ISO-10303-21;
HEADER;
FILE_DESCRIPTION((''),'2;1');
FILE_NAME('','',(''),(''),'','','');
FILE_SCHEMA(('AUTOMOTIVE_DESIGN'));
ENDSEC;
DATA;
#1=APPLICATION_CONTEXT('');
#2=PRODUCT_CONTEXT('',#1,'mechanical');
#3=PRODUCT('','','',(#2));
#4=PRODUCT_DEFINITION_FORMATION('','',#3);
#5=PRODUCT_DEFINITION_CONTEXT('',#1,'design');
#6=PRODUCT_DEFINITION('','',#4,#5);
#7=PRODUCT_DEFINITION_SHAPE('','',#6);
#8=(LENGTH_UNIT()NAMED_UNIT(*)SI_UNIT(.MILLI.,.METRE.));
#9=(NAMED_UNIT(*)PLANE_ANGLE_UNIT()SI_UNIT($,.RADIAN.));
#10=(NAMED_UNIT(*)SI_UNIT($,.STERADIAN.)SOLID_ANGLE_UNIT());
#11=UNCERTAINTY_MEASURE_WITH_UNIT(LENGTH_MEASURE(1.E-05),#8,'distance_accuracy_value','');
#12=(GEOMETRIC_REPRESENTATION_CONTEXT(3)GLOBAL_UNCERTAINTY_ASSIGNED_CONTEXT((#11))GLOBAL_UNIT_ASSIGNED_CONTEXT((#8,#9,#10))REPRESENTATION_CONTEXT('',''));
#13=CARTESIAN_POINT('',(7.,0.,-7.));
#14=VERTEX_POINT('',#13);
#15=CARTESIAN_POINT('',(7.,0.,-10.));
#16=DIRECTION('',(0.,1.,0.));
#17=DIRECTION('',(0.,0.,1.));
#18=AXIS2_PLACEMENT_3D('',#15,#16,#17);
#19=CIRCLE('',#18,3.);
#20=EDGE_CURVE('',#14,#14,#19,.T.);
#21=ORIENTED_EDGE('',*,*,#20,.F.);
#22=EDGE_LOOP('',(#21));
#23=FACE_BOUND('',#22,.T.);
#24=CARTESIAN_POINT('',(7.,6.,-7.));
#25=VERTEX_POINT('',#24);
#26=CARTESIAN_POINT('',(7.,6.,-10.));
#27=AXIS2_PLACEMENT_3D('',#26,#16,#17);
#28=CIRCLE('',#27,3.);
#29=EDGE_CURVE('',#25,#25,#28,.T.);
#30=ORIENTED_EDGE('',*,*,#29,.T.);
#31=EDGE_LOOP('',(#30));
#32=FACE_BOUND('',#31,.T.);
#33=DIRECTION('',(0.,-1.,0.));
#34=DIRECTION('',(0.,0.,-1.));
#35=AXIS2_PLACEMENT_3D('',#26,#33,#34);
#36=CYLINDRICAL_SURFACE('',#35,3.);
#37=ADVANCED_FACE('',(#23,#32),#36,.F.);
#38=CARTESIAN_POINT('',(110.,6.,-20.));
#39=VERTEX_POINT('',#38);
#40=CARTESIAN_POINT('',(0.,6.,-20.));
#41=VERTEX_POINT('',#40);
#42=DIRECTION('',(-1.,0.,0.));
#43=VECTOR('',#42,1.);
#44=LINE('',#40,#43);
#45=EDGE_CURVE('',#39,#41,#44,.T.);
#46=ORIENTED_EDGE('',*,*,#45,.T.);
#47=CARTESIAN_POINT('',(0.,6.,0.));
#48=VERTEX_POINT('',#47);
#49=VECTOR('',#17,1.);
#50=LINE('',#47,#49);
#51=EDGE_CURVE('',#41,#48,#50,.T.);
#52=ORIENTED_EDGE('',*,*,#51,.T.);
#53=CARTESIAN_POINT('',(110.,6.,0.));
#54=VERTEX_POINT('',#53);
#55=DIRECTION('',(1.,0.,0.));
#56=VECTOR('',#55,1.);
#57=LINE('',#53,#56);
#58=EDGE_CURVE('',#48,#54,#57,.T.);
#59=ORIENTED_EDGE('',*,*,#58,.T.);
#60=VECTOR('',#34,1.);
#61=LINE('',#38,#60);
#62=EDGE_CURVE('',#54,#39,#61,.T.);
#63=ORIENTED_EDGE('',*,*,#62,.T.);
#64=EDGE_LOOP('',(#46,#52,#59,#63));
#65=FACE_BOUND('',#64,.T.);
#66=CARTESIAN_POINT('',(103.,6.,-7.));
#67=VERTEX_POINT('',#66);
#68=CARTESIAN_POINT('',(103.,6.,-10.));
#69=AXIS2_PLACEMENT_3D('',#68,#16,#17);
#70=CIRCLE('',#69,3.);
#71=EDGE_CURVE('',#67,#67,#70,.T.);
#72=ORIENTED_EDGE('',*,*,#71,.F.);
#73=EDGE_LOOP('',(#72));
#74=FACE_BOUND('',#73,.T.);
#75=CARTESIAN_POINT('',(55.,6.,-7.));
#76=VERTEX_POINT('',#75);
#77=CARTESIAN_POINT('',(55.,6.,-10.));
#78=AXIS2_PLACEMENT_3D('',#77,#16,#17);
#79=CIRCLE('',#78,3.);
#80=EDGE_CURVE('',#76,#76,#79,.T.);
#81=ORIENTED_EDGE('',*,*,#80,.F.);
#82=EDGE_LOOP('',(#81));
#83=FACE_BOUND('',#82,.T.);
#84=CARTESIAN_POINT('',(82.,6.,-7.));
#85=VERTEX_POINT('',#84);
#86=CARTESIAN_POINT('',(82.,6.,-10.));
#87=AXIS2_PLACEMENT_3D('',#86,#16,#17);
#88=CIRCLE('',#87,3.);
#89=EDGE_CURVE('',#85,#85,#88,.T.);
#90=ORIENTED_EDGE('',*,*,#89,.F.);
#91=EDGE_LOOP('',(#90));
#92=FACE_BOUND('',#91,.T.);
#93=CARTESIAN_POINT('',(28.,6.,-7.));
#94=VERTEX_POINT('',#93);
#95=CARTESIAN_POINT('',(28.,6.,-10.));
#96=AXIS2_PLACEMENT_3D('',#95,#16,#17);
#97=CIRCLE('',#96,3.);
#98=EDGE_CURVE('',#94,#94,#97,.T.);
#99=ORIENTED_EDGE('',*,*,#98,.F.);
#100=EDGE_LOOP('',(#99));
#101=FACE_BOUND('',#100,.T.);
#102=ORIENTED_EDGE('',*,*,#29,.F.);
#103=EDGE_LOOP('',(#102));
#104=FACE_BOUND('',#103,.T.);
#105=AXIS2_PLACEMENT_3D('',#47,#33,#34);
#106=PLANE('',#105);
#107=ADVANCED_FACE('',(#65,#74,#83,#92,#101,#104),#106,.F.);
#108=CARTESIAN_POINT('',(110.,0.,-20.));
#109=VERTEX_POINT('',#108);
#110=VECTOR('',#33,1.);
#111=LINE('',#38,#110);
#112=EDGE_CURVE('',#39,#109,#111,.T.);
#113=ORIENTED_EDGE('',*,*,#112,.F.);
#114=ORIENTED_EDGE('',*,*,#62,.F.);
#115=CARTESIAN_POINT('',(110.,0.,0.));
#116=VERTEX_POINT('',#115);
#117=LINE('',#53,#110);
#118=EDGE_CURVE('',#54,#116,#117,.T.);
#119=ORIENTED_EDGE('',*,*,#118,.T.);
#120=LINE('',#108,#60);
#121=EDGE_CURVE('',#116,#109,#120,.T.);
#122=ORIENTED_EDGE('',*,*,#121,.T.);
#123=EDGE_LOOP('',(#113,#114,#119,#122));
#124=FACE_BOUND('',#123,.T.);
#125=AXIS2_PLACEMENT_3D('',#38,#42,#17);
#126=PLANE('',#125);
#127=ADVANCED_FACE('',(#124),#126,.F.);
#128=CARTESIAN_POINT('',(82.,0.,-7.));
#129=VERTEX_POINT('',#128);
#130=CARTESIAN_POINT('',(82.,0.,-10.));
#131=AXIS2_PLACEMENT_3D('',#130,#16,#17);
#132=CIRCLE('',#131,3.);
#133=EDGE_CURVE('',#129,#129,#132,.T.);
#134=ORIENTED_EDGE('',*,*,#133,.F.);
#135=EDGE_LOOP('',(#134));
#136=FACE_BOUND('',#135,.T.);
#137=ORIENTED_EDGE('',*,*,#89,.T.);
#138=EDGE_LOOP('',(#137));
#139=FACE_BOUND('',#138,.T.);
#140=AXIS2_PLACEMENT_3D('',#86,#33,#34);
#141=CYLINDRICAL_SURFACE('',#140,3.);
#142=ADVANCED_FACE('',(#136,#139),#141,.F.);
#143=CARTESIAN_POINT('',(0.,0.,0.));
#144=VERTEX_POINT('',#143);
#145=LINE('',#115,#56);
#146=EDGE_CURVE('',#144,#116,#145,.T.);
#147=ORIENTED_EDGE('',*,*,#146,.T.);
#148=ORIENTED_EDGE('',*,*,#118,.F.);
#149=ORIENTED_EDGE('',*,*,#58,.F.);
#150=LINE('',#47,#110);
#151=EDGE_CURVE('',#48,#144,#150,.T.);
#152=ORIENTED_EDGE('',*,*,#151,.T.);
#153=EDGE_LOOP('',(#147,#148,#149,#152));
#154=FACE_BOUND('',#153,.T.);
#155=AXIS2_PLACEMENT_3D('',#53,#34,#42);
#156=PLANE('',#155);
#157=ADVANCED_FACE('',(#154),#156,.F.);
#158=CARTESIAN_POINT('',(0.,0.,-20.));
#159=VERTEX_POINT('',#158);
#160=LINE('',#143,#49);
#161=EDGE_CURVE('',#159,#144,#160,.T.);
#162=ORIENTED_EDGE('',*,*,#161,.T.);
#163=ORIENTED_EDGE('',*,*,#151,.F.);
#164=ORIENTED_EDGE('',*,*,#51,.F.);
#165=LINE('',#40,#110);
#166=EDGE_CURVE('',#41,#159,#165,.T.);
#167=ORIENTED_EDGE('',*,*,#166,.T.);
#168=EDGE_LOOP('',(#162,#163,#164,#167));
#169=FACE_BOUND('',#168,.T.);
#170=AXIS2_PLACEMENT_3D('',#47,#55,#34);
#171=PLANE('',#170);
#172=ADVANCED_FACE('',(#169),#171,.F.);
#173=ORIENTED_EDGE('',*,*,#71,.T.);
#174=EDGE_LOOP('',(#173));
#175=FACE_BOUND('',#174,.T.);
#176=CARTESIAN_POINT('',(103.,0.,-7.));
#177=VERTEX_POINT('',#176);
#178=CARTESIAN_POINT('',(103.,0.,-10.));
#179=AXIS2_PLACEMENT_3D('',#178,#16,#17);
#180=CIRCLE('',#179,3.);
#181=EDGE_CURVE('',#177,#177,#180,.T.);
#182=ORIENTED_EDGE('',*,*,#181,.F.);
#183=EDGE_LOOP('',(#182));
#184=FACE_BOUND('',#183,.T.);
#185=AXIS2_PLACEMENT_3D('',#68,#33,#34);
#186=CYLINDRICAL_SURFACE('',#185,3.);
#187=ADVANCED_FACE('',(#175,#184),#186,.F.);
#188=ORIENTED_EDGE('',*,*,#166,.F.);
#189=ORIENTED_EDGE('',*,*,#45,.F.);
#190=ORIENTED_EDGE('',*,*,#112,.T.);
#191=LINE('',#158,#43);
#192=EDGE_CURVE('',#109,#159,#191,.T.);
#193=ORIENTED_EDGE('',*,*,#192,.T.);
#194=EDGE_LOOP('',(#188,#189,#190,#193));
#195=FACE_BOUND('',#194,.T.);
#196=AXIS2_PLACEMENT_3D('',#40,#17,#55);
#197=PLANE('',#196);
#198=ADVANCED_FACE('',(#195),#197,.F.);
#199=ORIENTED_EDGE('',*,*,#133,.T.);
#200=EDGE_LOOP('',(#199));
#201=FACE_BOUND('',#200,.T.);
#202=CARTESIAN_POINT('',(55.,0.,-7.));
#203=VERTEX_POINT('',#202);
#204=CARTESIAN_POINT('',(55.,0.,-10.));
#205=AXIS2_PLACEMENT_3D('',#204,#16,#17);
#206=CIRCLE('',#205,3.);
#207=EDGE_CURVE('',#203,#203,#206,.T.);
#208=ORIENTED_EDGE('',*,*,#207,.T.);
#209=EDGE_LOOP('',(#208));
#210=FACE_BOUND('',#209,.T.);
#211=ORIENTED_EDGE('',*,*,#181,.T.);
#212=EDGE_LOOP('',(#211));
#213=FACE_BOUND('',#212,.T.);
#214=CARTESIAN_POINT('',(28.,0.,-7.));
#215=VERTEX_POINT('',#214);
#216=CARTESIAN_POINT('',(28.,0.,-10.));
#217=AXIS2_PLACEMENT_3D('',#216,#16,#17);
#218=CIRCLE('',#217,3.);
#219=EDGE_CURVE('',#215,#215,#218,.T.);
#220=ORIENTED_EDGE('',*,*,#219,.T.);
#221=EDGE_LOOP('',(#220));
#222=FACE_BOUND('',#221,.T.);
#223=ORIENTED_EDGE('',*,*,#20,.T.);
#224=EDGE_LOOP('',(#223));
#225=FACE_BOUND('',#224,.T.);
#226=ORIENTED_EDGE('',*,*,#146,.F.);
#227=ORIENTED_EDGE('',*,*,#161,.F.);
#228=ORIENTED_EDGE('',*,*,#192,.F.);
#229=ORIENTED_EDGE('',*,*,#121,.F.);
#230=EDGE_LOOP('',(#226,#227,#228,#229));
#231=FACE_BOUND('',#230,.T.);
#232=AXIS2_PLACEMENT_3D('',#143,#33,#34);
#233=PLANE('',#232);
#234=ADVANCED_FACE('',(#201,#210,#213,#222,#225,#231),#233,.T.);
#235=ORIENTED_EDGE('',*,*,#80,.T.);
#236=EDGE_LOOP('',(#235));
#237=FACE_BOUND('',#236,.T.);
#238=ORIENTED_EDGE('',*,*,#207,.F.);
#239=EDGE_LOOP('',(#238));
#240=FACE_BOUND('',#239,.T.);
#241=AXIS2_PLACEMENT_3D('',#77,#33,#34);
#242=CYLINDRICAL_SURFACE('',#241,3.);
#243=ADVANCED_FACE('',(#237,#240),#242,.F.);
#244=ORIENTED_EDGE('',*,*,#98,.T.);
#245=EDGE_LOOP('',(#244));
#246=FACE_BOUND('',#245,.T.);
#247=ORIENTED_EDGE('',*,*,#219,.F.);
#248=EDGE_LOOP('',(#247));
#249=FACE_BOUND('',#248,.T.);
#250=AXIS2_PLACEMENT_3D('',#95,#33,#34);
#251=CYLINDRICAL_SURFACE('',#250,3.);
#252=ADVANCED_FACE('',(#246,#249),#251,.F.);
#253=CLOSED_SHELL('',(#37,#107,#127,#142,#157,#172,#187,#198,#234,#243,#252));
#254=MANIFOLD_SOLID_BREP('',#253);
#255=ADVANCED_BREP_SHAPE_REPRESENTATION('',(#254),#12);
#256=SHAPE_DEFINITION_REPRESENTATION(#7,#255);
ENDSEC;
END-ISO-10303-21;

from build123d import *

# Parameters (mm, degrees)
ESBO_O1_W                = 110
ESBO_O1_H                = 20
ESBO_O1_R                = 3
RESSALTO_EXTRUS_O1_DEPTH = 6


with BuildPart() as part:
    # Esboço1 → Ressalto-extrusão1 (new body)
    with BuildSketch(Plane(origin=(0, 0, 0), x_dir=(1, 0, 0), z_dir=(0, 1, 0))):
        with Locations((55, 10)):
            Rectangle(ESBO_O1_W, ESBO_O1_H)
        with Locations(Location((28, 10, 0), (0, 0, 270))):
            Circle(ESBO_O1_R, mode=Mode.SUBTRACT)
        with Locations(Location((82, 10, 0), (0, 0, 270))):
            Circle(ESBO_O1_R, mode=Mode.SUBTRACT)
        with Locations(Location((7, 10, 0), (0, 0, 270))):
            Circle(ESBO_O1_R, mode=Mode.SUBTRACT)
        with Locations(Location((103, 10, 0), (0, 0, 270))):
            Circle(ESBO_O1_R, mode=Mode.SUBTRACT)
        with Locations(Location((55, 10, 0), (0, 0, 270))):
            Circle(ESBO_O1_R, mode=Mode.SUBTRACT)
    extrude(amount=RESSALTO_EXTRUS_O1_DEPTH)


solid = part.part
